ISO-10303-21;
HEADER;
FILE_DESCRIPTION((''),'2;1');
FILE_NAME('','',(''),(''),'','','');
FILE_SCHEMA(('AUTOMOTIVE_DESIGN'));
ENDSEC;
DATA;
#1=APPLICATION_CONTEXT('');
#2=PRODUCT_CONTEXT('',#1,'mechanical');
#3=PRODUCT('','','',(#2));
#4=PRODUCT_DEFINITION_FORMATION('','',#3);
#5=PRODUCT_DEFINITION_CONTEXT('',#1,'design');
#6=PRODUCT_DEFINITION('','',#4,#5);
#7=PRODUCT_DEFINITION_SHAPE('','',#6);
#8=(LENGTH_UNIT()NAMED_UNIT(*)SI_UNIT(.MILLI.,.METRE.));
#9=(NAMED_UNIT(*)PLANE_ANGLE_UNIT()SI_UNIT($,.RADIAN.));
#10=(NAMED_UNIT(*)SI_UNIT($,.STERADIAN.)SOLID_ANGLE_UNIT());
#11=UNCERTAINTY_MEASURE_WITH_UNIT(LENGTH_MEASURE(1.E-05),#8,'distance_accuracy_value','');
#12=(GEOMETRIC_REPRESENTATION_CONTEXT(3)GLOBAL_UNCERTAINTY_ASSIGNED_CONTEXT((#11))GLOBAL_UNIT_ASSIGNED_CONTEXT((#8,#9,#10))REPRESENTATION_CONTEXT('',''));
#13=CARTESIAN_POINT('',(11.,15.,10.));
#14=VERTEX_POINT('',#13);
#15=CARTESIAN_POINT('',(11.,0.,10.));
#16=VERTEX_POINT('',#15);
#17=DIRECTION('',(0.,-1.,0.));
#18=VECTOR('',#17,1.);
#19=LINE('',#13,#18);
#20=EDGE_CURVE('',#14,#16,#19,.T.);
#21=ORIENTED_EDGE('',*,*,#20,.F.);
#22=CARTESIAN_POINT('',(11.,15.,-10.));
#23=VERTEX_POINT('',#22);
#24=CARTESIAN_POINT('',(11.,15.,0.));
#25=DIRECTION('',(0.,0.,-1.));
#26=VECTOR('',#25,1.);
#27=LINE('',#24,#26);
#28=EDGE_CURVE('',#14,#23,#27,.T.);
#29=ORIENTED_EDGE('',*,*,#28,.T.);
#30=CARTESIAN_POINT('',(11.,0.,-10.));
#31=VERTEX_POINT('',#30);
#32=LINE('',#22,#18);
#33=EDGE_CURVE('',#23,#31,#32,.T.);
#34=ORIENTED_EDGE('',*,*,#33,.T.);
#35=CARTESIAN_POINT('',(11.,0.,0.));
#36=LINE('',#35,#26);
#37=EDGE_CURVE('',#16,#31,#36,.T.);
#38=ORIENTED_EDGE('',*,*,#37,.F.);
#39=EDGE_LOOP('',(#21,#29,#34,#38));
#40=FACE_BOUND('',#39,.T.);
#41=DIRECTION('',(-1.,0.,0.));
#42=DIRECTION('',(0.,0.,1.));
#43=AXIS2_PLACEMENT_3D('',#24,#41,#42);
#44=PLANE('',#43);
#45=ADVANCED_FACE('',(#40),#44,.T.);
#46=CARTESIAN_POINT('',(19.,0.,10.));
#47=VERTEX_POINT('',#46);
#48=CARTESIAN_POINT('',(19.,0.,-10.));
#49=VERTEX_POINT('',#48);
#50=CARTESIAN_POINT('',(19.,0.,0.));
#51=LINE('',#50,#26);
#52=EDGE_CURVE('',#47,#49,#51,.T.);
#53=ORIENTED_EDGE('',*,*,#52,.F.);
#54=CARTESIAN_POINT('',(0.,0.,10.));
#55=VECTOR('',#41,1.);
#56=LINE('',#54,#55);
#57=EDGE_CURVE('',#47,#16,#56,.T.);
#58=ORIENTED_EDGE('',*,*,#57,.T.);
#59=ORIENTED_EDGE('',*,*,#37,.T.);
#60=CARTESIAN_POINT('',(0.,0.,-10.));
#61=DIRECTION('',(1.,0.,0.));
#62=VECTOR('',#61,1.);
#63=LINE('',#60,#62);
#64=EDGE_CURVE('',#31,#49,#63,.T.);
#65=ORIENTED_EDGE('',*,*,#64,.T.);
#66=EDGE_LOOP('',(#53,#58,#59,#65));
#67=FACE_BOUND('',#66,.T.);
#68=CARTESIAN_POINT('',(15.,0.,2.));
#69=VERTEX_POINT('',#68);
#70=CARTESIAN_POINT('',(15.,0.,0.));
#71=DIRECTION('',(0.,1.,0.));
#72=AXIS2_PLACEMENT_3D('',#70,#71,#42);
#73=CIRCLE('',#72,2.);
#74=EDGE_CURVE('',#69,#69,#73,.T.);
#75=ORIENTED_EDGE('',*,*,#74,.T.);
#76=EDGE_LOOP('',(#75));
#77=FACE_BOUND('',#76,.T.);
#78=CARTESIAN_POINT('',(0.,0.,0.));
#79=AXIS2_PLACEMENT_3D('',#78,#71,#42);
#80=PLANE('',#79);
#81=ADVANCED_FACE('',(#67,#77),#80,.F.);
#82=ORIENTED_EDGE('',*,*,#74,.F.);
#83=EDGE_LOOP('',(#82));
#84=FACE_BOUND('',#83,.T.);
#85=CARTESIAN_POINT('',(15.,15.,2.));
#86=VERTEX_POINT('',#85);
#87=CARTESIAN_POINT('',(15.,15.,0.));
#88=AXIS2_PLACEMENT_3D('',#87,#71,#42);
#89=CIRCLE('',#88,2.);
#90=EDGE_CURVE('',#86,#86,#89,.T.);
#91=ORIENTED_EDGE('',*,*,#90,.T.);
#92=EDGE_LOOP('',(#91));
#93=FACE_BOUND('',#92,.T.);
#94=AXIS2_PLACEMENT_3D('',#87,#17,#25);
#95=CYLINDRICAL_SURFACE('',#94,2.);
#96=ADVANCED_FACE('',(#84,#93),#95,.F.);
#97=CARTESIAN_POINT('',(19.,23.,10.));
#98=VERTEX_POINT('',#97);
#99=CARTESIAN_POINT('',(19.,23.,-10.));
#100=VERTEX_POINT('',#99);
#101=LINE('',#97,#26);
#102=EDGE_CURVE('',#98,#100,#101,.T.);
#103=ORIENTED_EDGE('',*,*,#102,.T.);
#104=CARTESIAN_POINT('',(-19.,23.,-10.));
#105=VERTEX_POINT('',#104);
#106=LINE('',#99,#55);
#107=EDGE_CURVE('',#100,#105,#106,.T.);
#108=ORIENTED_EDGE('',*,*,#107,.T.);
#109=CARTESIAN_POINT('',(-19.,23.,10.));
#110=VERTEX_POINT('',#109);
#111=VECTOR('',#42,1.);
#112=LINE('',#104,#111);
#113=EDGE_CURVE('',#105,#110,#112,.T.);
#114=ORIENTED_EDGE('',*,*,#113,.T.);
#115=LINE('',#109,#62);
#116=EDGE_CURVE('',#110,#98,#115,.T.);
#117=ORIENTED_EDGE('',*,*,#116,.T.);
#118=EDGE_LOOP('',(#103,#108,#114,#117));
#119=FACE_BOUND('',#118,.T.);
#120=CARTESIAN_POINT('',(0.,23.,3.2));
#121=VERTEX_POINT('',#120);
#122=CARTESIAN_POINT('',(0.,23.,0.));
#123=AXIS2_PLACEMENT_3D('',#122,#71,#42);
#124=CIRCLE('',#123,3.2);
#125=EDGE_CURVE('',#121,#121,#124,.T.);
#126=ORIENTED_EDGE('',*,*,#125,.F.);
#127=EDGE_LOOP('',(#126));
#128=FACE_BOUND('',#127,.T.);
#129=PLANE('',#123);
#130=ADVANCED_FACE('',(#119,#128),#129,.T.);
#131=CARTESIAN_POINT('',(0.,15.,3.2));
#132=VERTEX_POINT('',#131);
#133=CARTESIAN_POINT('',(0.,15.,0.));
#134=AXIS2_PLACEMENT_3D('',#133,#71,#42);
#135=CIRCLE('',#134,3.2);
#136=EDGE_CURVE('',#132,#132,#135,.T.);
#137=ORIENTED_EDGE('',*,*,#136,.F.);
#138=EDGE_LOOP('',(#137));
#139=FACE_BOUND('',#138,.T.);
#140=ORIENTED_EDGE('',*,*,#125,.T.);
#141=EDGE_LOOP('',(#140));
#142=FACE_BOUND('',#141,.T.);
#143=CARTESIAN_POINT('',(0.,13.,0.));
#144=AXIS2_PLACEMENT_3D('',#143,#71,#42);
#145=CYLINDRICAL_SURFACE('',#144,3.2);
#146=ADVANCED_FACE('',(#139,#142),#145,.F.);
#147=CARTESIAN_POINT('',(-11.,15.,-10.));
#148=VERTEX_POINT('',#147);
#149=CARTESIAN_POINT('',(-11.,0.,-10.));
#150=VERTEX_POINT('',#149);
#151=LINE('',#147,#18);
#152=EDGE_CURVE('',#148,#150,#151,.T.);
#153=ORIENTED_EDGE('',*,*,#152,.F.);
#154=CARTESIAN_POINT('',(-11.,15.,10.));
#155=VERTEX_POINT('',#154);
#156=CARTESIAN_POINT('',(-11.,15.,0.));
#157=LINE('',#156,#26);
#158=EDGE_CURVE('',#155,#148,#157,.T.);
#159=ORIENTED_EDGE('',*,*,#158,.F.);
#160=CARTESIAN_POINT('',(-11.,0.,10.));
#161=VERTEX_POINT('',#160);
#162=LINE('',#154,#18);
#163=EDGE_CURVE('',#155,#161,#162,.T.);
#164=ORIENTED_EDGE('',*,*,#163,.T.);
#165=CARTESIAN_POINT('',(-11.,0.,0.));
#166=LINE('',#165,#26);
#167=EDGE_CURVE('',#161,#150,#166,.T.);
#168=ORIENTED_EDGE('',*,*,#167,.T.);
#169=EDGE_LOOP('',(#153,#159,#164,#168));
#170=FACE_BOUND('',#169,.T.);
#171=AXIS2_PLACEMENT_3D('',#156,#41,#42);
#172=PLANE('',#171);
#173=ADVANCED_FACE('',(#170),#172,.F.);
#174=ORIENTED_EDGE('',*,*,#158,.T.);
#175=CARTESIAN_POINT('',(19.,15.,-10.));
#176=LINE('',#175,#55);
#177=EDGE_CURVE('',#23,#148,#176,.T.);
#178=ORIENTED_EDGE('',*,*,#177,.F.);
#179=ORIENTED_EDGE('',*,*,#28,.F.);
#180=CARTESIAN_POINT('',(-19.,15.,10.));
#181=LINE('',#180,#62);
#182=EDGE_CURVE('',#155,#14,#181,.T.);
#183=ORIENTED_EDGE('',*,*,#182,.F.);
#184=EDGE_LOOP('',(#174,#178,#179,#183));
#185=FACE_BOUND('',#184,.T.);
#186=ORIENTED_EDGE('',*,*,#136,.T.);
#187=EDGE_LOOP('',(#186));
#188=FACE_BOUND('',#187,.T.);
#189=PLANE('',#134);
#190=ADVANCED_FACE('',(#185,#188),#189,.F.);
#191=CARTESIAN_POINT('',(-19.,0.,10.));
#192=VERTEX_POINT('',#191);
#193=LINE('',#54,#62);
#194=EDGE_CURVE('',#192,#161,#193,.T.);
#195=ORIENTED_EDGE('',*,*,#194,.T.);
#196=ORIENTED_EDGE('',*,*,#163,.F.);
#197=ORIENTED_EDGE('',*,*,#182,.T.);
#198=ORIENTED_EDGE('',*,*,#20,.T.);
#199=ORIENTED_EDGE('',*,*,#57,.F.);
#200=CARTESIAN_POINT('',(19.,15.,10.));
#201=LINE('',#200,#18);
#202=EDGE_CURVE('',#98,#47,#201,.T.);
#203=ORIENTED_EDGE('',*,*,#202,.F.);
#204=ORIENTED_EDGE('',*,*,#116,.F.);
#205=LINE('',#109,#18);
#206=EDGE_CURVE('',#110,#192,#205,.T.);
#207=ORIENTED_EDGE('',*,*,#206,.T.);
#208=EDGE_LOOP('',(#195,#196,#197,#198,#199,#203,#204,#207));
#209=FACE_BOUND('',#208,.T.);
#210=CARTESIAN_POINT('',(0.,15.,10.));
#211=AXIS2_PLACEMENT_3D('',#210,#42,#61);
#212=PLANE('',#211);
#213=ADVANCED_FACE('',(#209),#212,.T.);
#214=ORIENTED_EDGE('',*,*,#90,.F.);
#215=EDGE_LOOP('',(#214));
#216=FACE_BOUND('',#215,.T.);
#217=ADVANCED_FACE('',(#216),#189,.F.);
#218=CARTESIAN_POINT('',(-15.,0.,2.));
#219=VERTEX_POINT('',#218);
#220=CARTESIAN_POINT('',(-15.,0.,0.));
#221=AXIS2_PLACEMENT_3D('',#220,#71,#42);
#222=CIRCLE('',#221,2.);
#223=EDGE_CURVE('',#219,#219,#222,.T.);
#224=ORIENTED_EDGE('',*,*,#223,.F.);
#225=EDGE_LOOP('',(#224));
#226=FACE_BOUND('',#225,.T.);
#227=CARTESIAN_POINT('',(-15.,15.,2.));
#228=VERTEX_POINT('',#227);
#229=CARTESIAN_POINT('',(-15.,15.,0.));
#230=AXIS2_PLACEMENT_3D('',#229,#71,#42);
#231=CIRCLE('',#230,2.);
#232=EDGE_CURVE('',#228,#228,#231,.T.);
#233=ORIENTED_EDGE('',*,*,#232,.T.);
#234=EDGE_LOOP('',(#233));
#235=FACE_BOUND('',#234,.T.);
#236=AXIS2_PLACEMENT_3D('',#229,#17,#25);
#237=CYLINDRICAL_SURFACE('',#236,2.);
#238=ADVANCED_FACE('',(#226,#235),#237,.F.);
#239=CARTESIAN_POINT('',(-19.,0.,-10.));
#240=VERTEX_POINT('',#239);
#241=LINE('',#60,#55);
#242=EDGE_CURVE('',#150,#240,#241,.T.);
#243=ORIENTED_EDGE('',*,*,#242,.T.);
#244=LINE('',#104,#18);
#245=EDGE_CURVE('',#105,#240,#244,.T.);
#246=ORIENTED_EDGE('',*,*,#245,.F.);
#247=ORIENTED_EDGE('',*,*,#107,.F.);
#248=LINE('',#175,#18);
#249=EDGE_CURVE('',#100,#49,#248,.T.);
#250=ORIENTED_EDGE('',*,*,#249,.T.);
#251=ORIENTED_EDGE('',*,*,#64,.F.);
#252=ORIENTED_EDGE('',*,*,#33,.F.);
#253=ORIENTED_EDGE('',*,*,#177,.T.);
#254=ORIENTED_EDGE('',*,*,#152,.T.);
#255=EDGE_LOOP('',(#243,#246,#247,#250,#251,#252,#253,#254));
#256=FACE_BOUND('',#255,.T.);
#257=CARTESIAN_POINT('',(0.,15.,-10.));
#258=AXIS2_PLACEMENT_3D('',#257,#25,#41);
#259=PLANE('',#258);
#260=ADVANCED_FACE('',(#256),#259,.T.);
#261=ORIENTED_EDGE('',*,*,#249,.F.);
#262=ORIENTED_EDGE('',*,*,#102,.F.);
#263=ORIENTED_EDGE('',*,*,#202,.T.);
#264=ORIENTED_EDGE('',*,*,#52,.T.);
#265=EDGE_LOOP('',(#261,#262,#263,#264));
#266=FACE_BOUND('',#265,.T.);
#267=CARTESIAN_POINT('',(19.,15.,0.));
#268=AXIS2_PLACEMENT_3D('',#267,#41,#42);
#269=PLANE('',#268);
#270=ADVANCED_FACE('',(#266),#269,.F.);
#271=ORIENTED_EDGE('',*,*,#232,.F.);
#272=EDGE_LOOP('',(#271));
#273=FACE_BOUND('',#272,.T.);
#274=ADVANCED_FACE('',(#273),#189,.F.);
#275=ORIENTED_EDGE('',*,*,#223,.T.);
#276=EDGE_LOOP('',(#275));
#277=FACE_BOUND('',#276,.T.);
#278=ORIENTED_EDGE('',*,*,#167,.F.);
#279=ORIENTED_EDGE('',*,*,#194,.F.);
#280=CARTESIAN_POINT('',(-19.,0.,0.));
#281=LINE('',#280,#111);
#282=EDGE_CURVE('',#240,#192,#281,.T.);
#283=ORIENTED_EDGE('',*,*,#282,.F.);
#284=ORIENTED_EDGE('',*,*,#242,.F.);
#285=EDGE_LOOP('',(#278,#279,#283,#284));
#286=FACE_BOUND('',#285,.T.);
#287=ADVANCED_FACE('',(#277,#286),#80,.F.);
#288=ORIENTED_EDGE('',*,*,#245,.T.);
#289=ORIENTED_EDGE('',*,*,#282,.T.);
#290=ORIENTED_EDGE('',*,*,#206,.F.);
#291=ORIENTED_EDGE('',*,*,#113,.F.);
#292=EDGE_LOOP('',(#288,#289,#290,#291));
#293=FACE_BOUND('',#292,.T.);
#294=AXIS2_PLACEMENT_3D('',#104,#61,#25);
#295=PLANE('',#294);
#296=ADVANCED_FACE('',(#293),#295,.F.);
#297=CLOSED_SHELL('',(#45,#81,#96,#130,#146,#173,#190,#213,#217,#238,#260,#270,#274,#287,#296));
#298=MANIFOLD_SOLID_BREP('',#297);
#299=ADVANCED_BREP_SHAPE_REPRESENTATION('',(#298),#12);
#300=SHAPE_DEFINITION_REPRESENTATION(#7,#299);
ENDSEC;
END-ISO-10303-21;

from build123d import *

# Parameters (mm, degrees)
ESQUISSE1_W             = 8
ESQUISSE1_H             = 20
BOSS_EXTRU_1_DEPTH      = 15
BOSS_EXTRU_1_2_DEPTH    = 15
ESQUISSE3_W             = 38
ESQUISSE3_H             = 20
BOSS_EXTRU_2_DEPTH      = 8
ESQUISSE4_R             = 3.2
ENL_V_MAT_EXTRU_1_DEPTH = 10
ESQUISSE1_3_R           = 2
ENL_V_MAT_EXTRU_3_DEPTH = 15


with BuildPart() as part:
    # Esquisse1 → Boss.-Extru.1 (new body)
    with BuildSketch(Plane(origin=(0, 0, 0), x_dir=(1, 0, 0), z_dir=(0, 1, 0))):
        with Locations((-15, 0)):
            Rectangle(ESQUISSE1_W, ESQUISSE1_H)
    extrude(amount=BOSS_EXTRU_1_DEPTH)



with BuildPart() as body_2:
    # Esquisse1 → Boss.-Extru.1 2 (new body)
    with BuildSketch(Plane(origin=(0, 0, 0), x_dir=(1, 0, 0), z_dir=(0, 1, 0))):
        with Locations((15, 0)):
            Rectangle(ESQUISSE1_W, ESQUISSE1_H)
    extrude(amount=BOSS_EXTRU_1_2_DEPTH)


with BuildPart() as part_1:
    add(part.part)

    add(body_2.part)  # Boss.-Extru.2 merges body 2
    # Esquisse3 → Boss.-Extru.2 (add)
    with BuildSketch(Plane(origin=(0, 15, 0), x_dir=(1, 0, 0), z_dir=(0, 1, 0))):
        Rectangle(ESQUISSE3_W, ESQUISSE3_H)
    extrude(amount=BOSS_EXTRU_2_DEPTH)

    # Esquisse4 → Enlèv. mat.-Extru.1 (cut)
    with BuildSketch(Plane(origin=(0, 23, 0), x_dir=(1, 0, 0), z_dir=(0, 1, 0))):
        Circle(ESQUISSE4_R)
    extrude(amount=-ENL_V_MAT_EXTRU_1_DEPTH, mode=Mode.SUBTRACT)

    # Esquisse1<3> → Enlèv. mat.-Extru.3 (cut)
    with BuildSketch(Plane(origin=(0, 0, 0), x_dir=(1, 0, 0), z_dir=(0, 1, 0))):
        with Locations((-15, 0)):
            Circle(ESQUISSE1_3_R)
        with Locations((15, 0)):
            Circle(ESQUISSE1_3_R)
    extrude(amount=ENL_V_MAT_EXTRU_3_DEPTH, mode=Mode.SUBTRACT)


solid = part_1.part
